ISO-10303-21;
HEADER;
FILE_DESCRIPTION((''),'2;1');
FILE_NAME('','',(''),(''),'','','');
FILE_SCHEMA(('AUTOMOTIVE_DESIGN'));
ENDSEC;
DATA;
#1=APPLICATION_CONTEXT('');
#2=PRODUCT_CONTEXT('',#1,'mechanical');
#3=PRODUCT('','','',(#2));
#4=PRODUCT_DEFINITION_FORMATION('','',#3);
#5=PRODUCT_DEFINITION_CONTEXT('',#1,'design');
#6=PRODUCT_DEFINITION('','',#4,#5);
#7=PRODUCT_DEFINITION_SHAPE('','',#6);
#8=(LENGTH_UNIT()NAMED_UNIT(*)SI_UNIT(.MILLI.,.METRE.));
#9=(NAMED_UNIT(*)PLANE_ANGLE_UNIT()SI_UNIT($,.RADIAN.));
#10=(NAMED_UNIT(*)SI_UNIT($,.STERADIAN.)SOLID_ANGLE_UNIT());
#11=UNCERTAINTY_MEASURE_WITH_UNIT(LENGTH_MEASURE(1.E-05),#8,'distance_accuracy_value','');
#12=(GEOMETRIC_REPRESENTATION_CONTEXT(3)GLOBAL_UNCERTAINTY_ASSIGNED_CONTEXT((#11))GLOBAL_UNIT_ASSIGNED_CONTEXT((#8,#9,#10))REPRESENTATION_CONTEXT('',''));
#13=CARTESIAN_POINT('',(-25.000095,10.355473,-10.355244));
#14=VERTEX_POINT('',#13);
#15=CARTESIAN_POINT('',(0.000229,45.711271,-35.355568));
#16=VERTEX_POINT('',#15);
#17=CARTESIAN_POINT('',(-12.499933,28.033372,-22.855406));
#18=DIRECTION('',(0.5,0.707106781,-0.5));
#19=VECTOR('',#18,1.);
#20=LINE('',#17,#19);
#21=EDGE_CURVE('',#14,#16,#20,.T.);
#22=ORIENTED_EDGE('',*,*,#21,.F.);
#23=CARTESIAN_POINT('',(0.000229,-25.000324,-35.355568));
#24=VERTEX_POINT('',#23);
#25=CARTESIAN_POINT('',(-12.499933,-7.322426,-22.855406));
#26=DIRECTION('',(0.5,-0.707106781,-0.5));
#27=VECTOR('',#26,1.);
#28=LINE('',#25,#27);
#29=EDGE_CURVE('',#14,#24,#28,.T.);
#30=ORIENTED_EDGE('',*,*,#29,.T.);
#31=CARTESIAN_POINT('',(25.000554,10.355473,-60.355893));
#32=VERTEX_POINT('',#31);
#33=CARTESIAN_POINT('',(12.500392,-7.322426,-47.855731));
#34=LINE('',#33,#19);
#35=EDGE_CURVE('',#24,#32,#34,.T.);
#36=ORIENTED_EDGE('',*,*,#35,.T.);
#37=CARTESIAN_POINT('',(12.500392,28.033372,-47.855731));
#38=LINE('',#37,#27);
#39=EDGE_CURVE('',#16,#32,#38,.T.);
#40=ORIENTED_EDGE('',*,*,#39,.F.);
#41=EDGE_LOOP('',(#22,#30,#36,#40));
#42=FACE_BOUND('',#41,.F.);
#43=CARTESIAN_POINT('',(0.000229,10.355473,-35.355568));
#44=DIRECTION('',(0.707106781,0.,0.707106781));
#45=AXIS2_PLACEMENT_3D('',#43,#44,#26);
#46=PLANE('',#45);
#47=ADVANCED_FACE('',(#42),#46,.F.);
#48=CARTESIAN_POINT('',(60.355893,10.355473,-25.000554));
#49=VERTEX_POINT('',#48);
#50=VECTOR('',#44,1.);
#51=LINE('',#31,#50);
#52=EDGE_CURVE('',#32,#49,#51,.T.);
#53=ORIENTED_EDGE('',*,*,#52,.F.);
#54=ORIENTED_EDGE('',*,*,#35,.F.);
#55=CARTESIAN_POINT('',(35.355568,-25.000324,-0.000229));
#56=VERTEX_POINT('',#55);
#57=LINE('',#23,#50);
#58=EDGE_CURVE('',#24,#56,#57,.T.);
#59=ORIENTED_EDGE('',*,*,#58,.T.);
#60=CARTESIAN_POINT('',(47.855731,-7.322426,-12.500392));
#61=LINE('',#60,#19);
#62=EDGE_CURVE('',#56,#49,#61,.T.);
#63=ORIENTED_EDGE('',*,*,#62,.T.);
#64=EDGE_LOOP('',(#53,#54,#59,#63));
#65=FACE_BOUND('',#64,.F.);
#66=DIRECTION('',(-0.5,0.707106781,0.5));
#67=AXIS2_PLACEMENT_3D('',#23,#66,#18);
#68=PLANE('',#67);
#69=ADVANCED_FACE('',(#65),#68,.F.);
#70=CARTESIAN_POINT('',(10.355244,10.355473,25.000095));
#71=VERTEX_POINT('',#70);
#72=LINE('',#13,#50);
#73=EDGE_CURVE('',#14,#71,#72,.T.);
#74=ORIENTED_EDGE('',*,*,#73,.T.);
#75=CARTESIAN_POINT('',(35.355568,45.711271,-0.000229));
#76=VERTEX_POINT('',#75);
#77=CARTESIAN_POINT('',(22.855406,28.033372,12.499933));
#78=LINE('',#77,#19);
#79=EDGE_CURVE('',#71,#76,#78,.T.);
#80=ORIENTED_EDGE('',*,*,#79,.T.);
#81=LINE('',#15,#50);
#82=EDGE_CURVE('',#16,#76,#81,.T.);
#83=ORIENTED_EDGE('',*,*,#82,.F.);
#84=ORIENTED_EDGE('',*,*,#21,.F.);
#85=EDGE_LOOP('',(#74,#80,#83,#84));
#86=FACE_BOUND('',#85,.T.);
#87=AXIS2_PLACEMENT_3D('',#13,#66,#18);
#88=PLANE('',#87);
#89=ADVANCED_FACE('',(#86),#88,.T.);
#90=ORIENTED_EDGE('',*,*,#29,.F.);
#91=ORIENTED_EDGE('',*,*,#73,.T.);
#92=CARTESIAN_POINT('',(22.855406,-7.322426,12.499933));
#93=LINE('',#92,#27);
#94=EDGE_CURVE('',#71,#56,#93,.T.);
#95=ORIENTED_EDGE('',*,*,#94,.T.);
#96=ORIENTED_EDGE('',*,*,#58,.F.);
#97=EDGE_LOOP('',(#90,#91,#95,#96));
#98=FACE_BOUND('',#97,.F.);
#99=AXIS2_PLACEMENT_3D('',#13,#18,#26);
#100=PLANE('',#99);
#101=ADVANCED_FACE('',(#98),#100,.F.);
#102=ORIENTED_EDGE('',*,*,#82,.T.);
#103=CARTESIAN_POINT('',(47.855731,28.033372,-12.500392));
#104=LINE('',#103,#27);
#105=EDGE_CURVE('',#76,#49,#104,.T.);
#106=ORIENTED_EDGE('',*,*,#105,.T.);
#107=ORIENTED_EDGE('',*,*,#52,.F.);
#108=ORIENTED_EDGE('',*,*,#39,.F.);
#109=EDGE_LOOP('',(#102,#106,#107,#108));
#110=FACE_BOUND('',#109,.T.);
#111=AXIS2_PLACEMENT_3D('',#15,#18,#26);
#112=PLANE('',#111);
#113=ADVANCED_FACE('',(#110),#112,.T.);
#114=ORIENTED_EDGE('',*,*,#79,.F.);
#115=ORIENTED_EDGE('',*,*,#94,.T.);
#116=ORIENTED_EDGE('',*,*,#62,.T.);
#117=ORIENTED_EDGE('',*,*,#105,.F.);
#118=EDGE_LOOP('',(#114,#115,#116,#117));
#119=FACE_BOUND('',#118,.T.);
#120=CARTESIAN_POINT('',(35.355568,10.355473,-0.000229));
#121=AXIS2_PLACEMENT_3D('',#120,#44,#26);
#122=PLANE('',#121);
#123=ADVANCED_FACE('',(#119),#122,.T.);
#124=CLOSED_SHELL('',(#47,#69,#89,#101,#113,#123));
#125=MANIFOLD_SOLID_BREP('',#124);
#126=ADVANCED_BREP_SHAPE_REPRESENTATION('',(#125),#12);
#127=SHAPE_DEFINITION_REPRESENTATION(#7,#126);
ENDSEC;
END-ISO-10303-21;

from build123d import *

# Parameters (mm, degrees)
F0_W     = 50.0006489456
F0_H     = 50.0006489456
F1_DEPTH = 50
F3_ANGLE = 45
F5_ANGLE = 45


with BuildPart() as f1:
    # F0 (on Top) → F1 (new body)
    with BuildSketch(Plane.XY):
        Rectangle(F0_W, F0_H)
    extrude(amount=F1_DEPTH)


with BuildPart() as f1_1:
    # F2: moved
    add(f1.part.moved(Location((0, 0, -25))))


with BuildPart() as f1_2:
    # F3: moved
    add(f1_1.part.rotate(Axis((25.0003244728, -25.0003244728, 0), (0, 0, -1)), F3_ANGLE))


with BuildPart() as f1_3:
    # F5: moved
    add(f1_2.part.rotate(Axis((0, 20.7308493555, 0), (0, 1, 0)), F5_ANGLE))


solid = f1_3.part
